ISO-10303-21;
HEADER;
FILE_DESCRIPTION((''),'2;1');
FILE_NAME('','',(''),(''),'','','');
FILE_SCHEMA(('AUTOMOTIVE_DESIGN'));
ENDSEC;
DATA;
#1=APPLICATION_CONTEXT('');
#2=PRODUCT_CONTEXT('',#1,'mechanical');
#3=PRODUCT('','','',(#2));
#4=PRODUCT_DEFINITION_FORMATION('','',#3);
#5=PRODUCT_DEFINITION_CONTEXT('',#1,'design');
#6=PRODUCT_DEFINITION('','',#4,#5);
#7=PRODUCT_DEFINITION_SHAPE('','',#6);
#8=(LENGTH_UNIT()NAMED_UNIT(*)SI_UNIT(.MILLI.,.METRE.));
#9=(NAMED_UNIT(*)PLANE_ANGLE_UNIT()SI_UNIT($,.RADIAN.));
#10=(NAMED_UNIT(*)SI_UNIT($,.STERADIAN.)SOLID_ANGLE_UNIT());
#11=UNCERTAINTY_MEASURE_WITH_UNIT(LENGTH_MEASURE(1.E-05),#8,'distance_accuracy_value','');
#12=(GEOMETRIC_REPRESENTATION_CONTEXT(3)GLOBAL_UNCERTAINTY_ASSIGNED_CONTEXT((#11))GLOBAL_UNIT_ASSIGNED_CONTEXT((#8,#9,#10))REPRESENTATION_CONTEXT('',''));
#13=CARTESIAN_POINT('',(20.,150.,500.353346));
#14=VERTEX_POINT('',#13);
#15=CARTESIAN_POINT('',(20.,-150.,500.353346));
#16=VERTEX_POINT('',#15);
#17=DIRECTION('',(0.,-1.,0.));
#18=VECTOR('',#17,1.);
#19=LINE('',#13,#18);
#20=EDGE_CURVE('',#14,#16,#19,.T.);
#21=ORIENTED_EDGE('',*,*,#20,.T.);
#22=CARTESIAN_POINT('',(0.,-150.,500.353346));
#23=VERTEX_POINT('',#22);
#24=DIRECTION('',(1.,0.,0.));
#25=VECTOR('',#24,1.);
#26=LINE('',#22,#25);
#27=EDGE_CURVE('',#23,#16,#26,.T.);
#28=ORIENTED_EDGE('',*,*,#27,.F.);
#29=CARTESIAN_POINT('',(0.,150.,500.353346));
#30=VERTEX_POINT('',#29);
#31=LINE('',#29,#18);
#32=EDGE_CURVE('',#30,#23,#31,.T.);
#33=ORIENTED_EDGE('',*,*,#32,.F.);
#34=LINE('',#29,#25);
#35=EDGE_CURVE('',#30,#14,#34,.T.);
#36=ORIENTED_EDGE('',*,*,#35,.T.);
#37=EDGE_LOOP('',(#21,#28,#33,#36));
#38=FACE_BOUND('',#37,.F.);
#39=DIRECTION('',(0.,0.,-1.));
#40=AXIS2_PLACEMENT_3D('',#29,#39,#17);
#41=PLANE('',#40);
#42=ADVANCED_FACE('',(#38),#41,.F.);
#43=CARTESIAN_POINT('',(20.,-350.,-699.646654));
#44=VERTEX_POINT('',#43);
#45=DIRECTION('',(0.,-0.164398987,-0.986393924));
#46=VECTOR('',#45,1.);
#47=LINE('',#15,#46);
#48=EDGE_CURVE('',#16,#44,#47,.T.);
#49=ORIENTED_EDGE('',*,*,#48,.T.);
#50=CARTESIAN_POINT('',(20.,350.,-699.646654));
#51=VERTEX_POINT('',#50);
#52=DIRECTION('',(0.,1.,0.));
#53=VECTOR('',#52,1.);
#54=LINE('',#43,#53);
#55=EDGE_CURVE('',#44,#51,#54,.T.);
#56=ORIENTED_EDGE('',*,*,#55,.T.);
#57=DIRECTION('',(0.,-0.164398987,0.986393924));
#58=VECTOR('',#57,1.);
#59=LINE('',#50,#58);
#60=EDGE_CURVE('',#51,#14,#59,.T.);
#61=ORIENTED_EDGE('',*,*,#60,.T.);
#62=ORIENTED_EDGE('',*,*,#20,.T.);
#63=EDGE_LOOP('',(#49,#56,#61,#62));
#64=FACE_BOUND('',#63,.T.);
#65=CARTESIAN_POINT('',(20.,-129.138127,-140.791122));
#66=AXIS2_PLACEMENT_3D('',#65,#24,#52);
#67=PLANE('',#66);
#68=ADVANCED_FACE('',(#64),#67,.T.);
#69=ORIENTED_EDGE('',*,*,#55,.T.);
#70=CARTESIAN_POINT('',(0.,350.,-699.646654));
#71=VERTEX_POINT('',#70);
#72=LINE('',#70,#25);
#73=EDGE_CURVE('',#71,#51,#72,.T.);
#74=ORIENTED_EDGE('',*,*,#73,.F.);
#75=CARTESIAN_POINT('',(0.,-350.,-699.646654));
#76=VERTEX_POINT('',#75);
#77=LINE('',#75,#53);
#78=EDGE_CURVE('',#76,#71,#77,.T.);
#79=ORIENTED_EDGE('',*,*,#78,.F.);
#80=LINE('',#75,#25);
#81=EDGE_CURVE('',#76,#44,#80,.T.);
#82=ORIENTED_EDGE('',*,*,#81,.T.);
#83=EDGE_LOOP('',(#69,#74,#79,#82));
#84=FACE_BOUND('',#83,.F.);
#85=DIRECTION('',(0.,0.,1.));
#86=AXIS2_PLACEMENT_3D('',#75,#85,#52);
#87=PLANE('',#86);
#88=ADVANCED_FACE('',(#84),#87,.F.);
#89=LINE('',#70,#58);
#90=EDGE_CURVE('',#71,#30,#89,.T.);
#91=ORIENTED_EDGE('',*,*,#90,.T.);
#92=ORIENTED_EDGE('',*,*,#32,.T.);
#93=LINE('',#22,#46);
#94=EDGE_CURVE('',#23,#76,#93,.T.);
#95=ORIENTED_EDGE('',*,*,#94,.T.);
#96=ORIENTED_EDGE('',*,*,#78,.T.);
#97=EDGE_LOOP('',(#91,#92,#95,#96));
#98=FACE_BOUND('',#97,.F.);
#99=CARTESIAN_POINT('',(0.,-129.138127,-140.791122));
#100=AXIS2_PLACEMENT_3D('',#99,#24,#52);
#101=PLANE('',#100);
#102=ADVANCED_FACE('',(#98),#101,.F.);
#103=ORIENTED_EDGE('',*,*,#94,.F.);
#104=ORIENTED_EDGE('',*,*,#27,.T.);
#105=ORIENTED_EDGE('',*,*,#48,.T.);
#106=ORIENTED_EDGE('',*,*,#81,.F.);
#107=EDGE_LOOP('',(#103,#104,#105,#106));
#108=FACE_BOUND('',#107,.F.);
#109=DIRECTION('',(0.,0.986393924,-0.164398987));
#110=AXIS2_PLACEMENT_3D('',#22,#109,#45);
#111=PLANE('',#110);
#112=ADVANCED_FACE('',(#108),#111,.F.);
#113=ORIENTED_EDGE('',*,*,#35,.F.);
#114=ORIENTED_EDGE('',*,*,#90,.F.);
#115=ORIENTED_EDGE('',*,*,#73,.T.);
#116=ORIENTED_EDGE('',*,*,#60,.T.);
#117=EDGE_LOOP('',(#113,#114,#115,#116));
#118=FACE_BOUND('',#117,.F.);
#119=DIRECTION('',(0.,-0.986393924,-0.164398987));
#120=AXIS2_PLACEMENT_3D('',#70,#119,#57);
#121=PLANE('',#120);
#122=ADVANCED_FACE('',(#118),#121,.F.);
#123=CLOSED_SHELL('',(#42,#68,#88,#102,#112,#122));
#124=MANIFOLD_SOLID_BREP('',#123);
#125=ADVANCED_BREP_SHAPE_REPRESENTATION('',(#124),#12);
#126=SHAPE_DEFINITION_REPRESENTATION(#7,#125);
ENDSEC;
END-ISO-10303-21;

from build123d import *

# Parameters (mm, degrees)
F1_DEPTH = 20


with BuildPart() as f1:
    # F0 (on Right) → F1 (new body)
    with BuildSketch(Plane.YZ):
        Polygon((0, 500.353346), (-150, 500.353346), (-350, -699.646654), (0, -699.646654), align=None)
        Polygon((150, 500.353346), (0, 500.353346), (0, -699.646654), (350, -699.646654), align=None)
    extrude(amount=F1_DEPTH)


solid = f1.part
